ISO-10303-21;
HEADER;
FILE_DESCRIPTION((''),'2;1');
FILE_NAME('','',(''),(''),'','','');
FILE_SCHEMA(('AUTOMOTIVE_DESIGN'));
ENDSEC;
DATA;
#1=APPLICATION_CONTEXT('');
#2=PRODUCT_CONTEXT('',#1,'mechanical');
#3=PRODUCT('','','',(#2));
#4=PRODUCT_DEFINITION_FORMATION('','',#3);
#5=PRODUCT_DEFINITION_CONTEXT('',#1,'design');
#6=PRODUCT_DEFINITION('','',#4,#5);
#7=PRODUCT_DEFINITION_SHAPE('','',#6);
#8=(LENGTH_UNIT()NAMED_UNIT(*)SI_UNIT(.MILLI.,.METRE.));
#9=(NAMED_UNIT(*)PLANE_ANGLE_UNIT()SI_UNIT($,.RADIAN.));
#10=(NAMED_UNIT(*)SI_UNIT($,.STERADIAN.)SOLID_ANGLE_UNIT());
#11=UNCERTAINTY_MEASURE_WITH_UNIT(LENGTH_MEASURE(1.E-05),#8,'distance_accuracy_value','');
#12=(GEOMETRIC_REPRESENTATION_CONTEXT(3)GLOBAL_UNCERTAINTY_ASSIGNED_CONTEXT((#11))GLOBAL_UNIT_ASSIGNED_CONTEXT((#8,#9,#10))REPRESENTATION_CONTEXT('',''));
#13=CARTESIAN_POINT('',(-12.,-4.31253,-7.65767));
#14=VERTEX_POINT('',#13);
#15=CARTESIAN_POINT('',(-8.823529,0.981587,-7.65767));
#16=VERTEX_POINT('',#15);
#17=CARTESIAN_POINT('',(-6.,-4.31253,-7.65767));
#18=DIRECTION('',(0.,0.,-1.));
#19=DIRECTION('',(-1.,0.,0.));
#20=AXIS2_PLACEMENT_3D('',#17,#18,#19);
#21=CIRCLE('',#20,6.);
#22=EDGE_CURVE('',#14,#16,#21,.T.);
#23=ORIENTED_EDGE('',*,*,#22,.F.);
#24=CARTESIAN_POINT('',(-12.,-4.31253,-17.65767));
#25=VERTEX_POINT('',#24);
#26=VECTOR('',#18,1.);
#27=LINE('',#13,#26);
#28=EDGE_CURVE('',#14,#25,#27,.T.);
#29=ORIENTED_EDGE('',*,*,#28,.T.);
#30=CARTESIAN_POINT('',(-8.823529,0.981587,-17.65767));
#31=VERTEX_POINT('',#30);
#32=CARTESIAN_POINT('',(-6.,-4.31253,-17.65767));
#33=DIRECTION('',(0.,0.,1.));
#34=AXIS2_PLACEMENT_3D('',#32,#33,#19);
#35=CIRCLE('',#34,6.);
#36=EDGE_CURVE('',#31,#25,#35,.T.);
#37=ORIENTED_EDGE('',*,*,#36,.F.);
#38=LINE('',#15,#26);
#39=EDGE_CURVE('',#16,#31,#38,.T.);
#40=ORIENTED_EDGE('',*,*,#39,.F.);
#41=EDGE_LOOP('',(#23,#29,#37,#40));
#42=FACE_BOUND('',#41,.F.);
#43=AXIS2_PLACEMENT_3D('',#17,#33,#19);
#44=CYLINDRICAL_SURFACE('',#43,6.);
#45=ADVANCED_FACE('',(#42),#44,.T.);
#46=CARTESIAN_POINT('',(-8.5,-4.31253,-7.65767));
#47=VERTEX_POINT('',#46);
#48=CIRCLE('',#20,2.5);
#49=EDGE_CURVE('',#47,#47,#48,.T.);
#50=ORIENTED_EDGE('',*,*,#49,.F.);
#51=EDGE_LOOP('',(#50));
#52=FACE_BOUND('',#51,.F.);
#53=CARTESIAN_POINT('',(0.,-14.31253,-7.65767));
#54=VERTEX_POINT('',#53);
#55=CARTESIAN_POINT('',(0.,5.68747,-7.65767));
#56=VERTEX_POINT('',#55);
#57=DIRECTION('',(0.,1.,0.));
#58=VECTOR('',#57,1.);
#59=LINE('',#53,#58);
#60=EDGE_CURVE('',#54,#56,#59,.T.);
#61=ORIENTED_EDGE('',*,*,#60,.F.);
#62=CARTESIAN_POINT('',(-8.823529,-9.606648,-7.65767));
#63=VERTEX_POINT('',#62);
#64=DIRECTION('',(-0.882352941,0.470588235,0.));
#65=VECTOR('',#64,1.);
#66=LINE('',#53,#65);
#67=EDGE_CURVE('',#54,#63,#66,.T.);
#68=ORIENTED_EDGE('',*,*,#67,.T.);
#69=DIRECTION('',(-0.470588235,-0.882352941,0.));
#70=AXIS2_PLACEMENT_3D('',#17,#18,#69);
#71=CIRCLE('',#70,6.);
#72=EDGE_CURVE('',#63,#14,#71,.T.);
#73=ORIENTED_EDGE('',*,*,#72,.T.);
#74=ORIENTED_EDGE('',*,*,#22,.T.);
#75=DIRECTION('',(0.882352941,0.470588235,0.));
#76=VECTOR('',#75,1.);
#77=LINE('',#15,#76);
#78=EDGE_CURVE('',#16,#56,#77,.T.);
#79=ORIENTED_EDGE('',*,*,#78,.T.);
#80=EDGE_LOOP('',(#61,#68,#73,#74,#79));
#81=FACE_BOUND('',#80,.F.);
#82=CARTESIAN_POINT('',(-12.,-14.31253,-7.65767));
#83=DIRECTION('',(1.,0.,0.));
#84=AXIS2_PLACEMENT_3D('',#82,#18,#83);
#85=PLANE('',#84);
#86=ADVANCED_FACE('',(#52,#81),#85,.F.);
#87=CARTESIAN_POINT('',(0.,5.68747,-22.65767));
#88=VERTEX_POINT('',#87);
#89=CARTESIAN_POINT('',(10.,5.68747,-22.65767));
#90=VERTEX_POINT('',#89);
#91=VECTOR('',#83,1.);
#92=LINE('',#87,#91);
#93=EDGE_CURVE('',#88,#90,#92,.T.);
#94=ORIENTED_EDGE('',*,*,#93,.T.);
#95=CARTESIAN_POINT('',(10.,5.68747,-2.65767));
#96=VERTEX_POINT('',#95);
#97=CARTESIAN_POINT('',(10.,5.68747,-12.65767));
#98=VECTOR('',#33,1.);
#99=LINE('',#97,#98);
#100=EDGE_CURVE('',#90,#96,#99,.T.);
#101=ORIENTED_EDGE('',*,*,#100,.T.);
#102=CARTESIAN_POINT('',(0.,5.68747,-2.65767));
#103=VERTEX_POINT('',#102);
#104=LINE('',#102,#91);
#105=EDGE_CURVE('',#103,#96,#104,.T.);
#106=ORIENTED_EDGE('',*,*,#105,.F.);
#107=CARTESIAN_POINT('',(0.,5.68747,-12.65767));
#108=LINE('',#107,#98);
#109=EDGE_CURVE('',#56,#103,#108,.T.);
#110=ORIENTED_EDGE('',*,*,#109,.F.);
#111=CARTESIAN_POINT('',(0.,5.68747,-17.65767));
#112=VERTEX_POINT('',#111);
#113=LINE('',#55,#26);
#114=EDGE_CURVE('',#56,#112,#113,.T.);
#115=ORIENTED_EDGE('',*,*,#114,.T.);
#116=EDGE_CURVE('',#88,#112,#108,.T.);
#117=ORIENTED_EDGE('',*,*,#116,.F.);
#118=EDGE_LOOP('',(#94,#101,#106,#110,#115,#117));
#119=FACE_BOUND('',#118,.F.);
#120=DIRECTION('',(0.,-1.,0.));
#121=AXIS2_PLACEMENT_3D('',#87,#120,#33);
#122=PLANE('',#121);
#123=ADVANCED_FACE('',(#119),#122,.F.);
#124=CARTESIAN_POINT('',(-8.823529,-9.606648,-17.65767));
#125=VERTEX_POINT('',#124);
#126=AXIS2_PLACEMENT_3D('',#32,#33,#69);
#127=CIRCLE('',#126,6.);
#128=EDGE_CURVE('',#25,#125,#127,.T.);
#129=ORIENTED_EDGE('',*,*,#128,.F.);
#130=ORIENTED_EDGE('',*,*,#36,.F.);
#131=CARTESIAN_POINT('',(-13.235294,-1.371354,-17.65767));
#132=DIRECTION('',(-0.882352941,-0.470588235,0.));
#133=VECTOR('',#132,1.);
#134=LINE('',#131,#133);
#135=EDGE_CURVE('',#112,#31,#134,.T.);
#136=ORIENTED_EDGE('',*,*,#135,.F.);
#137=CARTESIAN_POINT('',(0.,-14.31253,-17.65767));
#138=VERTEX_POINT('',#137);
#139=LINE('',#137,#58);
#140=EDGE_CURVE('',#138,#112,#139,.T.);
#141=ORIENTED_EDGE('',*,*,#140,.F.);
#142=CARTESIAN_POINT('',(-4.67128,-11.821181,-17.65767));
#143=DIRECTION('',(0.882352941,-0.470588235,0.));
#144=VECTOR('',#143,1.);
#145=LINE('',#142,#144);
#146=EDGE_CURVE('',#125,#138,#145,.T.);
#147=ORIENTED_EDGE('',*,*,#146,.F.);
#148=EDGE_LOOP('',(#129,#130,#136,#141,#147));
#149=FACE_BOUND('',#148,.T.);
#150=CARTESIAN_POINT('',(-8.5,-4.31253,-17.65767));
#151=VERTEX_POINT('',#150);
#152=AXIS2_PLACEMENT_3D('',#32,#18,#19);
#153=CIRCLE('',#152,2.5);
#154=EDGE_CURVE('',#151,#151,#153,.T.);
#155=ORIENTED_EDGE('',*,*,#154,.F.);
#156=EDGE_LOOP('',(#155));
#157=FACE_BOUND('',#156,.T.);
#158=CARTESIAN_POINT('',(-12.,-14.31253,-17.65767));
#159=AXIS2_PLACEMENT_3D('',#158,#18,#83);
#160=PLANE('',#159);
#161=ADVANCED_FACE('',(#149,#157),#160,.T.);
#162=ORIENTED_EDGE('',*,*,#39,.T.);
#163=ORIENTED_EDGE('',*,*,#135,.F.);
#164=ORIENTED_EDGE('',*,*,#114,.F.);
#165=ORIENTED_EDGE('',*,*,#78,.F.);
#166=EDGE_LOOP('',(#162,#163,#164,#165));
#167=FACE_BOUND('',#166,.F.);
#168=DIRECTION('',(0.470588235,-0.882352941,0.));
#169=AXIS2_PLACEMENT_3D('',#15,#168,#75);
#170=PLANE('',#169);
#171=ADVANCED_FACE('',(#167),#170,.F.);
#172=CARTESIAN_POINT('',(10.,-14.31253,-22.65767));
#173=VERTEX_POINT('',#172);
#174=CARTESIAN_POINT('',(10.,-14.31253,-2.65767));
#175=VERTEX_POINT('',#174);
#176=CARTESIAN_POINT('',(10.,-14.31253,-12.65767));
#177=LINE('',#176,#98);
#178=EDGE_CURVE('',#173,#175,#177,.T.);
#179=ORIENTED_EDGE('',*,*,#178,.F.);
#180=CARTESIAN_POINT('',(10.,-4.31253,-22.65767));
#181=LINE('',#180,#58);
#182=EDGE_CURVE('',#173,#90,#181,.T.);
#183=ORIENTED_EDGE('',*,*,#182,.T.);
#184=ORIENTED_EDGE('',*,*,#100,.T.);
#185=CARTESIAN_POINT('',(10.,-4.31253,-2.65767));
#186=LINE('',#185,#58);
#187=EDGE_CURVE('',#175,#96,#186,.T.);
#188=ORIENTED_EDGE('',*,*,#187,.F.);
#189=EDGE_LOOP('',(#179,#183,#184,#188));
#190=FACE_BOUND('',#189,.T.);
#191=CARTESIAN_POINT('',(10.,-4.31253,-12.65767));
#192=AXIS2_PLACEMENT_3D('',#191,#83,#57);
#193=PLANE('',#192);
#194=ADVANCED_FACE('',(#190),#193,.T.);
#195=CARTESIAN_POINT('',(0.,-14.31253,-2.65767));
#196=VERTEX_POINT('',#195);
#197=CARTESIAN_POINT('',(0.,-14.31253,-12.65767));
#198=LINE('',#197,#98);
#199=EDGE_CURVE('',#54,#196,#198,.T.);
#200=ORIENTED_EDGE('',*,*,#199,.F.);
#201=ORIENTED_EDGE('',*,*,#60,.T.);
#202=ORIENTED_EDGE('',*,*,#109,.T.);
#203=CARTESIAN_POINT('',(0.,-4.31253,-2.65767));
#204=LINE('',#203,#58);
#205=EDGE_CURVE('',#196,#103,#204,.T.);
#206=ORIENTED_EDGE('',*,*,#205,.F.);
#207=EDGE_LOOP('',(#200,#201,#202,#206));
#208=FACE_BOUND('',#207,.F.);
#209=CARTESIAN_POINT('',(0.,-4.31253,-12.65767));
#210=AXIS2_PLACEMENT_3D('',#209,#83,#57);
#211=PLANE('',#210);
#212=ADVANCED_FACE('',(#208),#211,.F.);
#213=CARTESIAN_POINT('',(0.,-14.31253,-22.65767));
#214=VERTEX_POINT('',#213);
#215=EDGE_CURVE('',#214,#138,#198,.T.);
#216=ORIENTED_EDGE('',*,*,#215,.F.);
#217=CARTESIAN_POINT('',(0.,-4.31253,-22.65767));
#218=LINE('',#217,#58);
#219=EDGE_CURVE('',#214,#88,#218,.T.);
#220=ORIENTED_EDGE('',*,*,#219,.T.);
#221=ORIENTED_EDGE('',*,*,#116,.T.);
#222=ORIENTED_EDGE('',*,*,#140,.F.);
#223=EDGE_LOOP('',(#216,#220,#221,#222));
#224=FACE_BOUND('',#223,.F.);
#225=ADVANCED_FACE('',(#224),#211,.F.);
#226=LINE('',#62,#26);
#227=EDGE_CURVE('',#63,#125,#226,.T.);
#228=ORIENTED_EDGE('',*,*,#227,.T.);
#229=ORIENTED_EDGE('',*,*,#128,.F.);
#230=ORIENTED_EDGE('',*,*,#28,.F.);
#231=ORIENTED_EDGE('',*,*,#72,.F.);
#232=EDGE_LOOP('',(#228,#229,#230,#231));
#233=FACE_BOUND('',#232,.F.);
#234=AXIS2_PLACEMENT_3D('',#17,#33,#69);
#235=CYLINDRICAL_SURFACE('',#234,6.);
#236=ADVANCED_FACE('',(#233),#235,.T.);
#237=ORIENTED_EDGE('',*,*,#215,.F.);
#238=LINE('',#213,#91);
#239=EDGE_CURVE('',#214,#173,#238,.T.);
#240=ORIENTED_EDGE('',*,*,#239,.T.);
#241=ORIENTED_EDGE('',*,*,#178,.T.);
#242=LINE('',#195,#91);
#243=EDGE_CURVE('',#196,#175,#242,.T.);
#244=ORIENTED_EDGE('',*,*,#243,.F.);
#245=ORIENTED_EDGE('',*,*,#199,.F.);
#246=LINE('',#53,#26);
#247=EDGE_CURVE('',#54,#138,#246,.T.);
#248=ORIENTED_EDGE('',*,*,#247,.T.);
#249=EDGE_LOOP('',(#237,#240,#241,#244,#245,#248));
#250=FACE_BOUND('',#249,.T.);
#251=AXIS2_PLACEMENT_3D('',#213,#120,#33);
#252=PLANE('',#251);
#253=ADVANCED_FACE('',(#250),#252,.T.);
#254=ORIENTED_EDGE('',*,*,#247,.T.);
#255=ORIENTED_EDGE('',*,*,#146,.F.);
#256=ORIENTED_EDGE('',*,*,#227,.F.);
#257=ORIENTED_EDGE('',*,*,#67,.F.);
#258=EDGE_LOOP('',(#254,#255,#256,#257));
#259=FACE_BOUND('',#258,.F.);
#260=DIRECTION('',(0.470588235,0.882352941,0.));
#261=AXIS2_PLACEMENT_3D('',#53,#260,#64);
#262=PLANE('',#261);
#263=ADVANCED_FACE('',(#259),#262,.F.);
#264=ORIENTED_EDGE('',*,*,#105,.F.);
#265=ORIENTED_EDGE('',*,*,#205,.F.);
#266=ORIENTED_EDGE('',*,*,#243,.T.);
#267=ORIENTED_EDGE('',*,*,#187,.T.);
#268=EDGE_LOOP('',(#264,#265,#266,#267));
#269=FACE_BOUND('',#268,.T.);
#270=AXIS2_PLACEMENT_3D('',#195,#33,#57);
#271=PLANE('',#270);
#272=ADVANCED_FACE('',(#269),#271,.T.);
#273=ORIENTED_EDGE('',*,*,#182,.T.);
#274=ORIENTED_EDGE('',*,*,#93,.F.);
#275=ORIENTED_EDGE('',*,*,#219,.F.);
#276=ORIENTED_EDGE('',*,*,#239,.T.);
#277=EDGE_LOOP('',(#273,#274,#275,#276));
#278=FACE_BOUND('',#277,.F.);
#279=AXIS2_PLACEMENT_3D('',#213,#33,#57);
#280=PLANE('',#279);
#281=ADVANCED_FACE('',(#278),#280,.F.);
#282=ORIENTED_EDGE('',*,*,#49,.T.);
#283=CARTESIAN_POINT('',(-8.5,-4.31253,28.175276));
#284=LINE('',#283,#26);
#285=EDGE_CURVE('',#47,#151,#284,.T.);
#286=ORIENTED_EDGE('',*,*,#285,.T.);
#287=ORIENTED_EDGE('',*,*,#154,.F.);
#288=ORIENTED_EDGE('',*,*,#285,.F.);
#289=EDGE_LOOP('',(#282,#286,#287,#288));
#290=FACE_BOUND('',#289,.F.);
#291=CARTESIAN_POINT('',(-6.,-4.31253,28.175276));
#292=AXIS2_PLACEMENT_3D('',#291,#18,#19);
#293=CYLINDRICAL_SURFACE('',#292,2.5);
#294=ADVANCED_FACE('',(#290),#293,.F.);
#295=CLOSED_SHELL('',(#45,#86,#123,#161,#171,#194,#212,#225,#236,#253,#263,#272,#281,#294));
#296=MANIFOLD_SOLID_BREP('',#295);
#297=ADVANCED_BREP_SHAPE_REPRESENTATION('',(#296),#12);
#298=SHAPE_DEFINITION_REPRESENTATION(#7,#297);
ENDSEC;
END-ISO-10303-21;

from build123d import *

# Parameters (mm, degrees)
F0_W     = 20
F0_H     = 20
F1_DEPTH = 10
F2_W     = 12
F2_H     = 10
F3_DEPTH = 20
F5_DEPTH = 25
F6_D     = 5


with BuildPart() as f1:
    # F0 (on Right) → F1 (new body)
    with BuildSketch(Plane.YZ):
        with Locations((-4.31253016, -12.6576695228)):
            Rectangle(F0_W, F0_H)
    extrude(amount=F1_DEPTH)

    # F2 (on face) → F3 (join, through all)
    with BuildSketch(Plane.XZ.offset(14.31253016)):
        with Locations((-6, -12.6576695228)):
            Rectangle(F2_W, F2_H)
    extrude(amount=-F3_DEPTH)

    # F4 (on face) → F5 (cut)
    with BuildSketch(Plane.XY.offset(-7.6576695228)):
        with BuildLine():
            ThreePointArc((-12, -4.31253016), (-11.1449575543, -1.2255556274), (-8.8235294118, 0.9815874871))
            Line((-8.8235294118, 0.9815874871), (0, 5.68746984))
            Line((0, 5.68746984), (-12, 5.68746984))
            Line((-12, 5.68746984), (-12, -4.31253016))
        make_face()
        with BuildLine():
            ThreePointArc((-8.8235294118, -9.606647807), (-11.1449575543, -7.3995046925), (-12, -4.31253016))
            Line((-12, -4.31253016), (-12, -14.31253016))
            Line((-12, -14.31253016), (0, -14.31253016))
            Line((0, -14.31253016), (-8.8235294118, -9.606647807))
        make_face()
    extrude(amount=-F5_DEPTH, mode=Mode.SUBTRACT)

    # F6 (through all)
    with Locations(Plane.XY.offset(-7.6576695228)):
        with Locations((-6, -4.31253016)):
            Hole(F6_D / 2)


solid = f1.part
